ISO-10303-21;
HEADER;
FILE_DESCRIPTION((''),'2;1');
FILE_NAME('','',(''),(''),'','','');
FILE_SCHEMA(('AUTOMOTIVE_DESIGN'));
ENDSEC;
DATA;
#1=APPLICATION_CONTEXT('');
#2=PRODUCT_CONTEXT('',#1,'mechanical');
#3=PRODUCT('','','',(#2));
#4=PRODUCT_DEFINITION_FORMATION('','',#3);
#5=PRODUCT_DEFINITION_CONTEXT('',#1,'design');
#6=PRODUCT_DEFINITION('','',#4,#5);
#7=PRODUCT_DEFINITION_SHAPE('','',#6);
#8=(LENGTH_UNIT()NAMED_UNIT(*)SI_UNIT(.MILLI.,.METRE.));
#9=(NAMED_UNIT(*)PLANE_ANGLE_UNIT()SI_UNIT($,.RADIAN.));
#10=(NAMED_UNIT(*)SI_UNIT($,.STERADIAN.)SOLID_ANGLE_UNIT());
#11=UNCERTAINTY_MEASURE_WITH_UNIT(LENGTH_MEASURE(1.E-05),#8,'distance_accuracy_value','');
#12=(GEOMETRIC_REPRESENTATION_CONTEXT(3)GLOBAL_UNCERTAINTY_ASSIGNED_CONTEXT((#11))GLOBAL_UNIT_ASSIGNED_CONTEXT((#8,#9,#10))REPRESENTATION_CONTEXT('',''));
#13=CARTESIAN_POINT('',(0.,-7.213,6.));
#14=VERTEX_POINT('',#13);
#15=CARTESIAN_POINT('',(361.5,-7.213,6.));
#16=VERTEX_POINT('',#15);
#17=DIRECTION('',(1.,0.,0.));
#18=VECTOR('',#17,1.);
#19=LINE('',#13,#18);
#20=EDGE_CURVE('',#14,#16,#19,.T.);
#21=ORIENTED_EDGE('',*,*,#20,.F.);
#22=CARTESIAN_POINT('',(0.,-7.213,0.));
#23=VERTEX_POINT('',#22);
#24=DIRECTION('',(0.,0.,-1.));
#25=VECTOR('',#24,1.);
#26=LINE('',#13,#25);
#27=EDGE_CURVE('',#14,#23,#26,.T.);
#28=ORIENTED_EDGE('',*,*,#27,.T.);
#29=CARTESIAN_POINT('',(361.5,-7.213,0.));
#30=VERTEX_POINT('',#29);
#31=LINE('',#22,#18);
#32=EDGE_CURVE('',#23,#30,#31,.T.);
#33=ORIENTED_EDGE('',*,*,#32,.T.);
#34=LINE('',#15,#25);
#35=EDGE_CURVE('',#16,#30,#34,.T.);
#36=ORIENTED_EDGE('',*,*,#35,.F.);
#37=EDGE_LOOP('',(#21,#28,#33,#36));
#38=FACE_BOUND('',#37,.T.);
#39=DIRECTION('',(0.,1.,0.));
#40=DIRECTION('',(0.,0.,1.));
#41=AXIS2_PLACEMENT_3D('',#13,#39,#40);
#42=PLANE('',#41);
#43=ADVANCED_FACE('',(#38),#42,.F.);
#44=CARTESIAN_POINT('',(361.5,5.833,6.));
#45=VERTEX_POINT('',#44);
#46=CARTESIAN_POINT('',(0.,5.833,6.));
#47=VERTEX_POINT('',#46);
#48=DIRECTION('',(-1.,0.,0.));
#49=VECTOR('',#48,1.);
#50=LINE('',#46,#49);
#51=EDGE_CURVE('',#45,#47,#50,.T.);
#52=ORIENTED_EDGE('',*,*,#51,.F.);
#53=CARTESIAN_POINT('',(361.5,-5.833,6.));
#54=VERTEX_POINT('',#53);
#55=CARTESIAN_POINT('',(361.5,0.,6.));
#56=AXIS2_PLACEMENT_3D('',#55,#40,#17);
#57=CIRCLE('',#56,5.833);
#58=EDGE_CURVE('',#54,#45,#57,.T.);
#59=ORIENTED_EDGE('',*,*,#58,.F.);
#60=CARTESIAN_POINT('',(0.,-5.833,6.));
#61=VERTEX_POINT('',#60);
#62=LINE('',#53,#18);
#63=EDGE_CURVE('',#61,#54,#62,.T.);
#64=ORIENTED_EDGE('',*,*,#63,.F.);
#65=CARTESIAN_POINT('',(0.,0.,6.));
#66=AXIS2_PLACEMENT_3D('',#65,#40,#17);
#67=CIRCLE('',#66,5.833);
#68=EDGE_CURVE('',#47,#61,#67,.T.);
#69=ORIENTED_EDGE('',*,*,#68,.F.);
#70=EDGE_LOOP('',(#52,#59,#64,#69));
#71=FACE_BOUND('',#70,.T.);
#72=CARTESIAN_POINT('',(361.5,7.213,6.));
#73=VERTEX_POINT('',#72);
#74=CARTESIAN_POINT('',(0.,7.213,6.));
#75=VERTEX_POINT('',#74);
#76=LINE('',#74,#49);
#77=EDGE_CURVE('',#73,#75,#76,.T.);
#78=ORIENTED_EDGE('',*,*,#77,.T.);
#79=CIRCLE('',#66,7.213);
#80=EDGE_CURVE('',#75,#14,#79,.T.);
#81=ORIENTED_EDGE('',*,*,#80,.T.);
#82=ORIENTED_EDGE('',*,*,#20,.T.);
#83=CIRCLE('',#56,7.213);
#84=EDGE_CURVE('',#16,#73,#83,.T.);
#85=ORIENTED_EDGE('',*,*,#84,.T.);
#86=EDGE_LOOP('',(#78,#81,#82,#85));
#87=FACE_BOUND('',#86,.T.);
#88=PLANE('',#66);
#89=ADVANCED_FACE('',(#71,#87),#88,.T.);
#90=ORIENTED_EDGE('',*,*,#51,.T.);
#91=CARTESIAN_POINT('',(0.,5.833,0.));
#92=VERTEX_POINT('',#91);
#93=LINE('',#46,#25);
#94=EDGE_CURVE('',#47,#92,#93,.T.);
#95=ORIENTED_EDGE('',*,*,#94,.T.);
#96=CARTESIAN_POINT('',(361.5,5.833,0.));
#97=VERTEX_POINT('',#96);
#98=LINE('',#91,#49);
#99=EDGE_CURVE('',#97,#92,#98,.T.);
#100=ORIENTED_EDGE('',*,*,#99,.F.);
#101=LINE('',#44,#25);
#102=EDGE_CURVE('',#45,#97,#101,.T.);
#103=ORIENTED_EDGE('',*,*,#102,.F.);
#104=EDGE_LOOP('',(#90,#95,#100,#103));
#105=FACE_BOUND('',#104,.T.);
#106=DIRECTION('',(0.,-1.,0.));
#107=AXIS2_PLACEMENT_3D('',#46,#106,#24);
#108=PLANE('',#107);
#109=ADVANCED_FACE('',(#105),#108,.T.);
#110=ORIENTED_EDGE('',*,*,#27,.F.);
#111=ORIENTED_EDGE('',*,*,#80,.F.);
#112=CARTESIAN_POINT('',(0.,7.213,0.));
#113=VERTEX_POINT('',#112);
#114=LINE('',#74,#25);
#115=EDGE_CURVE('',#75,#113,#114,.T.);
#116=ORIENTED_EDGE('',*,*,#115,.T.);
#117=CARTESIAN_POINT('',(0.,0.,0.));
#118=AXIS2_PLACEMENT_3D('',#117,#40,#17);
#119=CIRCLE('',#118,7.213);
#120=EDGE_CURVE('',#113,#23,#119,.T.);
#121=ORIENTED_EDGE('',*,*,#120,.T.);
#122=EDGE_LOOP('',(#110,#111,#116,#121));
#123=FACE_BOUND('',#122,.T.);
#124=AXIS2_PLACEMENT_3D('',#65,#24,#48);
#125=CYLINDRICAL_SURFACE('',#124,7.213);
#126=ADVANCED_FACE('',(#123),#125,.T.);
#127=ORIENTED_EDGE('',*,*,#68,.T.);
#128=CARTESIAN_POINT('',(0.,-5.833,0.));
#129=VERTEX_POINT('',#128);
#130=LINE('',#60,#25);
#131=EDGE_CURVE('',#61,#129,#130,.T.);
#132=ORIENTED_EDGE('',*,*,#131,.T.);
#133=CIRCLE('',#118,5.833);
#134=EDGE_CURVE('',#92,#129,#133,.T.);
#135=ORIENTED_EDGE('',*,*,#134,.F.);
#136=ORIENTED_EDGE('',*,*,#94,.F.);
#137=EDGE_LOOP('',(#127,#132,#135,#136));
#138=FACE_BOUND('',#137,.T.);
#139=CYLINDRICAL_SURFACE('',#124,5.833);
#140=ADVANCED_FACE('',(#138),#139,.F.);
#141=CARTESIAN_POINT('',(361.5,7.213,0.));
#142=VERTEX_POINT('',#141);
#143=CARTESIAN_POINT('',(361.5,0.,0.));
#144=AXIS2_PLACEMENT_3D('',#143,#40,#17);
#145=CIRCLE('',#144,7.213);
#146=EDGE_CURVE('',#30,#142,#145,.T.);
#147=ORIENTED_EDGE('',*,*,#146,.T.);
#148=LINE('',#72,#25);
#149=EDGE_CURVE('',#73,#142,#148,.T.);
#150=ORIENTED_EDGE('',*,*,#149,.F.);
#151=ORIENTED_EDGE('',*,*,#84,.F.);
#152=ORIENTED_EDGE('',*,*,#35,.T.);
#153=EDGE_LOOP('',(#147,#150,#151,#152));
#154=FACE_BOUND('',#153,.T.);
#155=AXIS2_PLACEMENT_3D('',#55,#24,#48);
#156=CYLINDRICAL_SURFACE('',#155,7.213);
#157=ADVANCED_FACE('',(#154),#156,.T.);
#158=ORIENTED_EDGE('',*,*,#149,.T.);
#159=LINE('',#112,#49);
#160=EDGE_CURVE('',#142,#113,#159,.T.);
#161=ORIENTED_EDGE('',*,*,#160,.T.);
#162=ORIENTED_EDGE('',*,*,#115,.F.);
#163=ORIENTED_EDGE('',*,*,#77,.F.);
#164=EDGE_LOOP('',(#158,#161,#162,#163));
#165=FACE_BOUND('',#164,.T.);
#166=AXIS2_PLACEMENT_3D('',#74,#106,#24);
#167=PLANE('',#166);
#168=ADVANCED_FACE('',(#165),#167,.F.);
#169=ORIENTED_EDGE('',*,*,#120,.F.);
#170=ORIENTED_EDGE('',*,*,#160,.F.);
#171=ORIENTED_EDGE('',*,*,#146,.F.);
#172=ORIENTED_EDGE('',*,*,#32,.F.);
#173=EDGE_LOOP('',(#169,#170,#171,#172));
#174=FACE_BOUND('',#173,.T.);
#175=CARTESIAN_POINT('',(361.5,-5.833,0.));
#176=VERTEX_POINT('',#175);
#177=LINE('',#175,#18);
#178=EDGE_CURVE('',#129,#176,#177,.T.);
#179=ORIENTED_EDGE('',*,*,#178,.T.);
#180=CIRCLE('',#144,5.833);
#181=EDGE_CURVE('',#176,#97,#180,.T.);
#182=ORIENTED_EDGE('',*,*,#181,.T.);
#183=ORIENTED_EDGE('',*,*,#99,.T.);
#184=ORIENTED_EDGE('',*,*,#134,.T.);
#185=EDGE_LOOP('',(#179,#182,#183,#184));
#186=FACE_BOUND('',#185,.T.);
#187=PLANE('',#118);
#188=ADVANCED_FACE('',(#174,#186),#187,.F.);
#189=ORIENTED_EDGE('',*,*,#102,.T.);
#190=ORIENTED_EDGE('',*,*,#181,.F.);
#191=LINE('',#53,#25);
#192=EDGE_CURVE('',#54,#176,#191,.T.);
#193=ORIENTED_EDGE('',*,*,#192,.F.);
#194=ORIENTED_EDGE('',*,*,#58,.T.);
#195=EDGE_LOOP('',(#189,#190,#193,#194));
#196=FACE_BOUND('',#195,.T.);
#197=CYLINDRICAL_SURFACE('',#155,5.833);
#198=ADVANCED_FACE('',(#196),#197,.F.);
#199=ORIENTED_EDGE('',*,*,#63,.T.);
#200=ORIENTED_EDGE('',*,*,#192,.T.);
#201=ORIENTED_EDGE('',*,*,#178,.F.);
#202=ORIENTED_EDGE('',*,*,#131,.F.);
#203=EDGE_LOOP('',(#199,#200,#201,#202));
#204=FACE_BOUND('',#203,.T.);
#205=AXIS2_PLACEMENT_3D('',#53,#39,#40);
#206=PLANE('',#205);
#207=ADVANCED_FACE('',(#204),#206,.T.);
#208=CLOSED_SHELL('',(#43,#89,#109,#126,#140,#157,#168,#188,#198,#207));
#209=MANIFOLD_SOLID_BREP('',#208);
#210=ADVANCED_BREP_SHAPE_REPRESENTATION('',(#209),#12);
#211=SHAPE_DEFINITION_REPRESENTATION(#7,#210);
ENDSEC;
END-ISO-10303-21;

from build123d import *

# Parameters (mm, degrees)
BOSS_EXTRUDE1_DEPTH = 6


with BuildPart() as part:
    # Sketch1 → Boss-Extrude1 (new body)
    with BuildSketch(Plane.XY):
        with BuildLine():
            Line((0, 7.213), (361.5, 7.213))
            ThreePointArc((361.5, 7.213), (368.713, 0), (361.5, -7.213))
            Line((361.5, -7.213), (0, -7.213))
            ThreePointArc((0, -7.213), (-7.213, 0), (0, 7.213))
        make_face()
        with BuildLine():
            Line((0, 5.833), (361.5, 5.833))
            ThreePointArc((361.5, 5.833), (367.333, 0), (361.5, -5.833))
            Line((361.5, -5.833), (0, -5.833))
            ThreePointArc((0, -5.833), (-5.833, 0), (0, 5.833))
        make_face(mode=Mode.SUBTRACT)
    extrude(amount=BOSS_EXTRUDE1_DEPTH)


solid = part.part
